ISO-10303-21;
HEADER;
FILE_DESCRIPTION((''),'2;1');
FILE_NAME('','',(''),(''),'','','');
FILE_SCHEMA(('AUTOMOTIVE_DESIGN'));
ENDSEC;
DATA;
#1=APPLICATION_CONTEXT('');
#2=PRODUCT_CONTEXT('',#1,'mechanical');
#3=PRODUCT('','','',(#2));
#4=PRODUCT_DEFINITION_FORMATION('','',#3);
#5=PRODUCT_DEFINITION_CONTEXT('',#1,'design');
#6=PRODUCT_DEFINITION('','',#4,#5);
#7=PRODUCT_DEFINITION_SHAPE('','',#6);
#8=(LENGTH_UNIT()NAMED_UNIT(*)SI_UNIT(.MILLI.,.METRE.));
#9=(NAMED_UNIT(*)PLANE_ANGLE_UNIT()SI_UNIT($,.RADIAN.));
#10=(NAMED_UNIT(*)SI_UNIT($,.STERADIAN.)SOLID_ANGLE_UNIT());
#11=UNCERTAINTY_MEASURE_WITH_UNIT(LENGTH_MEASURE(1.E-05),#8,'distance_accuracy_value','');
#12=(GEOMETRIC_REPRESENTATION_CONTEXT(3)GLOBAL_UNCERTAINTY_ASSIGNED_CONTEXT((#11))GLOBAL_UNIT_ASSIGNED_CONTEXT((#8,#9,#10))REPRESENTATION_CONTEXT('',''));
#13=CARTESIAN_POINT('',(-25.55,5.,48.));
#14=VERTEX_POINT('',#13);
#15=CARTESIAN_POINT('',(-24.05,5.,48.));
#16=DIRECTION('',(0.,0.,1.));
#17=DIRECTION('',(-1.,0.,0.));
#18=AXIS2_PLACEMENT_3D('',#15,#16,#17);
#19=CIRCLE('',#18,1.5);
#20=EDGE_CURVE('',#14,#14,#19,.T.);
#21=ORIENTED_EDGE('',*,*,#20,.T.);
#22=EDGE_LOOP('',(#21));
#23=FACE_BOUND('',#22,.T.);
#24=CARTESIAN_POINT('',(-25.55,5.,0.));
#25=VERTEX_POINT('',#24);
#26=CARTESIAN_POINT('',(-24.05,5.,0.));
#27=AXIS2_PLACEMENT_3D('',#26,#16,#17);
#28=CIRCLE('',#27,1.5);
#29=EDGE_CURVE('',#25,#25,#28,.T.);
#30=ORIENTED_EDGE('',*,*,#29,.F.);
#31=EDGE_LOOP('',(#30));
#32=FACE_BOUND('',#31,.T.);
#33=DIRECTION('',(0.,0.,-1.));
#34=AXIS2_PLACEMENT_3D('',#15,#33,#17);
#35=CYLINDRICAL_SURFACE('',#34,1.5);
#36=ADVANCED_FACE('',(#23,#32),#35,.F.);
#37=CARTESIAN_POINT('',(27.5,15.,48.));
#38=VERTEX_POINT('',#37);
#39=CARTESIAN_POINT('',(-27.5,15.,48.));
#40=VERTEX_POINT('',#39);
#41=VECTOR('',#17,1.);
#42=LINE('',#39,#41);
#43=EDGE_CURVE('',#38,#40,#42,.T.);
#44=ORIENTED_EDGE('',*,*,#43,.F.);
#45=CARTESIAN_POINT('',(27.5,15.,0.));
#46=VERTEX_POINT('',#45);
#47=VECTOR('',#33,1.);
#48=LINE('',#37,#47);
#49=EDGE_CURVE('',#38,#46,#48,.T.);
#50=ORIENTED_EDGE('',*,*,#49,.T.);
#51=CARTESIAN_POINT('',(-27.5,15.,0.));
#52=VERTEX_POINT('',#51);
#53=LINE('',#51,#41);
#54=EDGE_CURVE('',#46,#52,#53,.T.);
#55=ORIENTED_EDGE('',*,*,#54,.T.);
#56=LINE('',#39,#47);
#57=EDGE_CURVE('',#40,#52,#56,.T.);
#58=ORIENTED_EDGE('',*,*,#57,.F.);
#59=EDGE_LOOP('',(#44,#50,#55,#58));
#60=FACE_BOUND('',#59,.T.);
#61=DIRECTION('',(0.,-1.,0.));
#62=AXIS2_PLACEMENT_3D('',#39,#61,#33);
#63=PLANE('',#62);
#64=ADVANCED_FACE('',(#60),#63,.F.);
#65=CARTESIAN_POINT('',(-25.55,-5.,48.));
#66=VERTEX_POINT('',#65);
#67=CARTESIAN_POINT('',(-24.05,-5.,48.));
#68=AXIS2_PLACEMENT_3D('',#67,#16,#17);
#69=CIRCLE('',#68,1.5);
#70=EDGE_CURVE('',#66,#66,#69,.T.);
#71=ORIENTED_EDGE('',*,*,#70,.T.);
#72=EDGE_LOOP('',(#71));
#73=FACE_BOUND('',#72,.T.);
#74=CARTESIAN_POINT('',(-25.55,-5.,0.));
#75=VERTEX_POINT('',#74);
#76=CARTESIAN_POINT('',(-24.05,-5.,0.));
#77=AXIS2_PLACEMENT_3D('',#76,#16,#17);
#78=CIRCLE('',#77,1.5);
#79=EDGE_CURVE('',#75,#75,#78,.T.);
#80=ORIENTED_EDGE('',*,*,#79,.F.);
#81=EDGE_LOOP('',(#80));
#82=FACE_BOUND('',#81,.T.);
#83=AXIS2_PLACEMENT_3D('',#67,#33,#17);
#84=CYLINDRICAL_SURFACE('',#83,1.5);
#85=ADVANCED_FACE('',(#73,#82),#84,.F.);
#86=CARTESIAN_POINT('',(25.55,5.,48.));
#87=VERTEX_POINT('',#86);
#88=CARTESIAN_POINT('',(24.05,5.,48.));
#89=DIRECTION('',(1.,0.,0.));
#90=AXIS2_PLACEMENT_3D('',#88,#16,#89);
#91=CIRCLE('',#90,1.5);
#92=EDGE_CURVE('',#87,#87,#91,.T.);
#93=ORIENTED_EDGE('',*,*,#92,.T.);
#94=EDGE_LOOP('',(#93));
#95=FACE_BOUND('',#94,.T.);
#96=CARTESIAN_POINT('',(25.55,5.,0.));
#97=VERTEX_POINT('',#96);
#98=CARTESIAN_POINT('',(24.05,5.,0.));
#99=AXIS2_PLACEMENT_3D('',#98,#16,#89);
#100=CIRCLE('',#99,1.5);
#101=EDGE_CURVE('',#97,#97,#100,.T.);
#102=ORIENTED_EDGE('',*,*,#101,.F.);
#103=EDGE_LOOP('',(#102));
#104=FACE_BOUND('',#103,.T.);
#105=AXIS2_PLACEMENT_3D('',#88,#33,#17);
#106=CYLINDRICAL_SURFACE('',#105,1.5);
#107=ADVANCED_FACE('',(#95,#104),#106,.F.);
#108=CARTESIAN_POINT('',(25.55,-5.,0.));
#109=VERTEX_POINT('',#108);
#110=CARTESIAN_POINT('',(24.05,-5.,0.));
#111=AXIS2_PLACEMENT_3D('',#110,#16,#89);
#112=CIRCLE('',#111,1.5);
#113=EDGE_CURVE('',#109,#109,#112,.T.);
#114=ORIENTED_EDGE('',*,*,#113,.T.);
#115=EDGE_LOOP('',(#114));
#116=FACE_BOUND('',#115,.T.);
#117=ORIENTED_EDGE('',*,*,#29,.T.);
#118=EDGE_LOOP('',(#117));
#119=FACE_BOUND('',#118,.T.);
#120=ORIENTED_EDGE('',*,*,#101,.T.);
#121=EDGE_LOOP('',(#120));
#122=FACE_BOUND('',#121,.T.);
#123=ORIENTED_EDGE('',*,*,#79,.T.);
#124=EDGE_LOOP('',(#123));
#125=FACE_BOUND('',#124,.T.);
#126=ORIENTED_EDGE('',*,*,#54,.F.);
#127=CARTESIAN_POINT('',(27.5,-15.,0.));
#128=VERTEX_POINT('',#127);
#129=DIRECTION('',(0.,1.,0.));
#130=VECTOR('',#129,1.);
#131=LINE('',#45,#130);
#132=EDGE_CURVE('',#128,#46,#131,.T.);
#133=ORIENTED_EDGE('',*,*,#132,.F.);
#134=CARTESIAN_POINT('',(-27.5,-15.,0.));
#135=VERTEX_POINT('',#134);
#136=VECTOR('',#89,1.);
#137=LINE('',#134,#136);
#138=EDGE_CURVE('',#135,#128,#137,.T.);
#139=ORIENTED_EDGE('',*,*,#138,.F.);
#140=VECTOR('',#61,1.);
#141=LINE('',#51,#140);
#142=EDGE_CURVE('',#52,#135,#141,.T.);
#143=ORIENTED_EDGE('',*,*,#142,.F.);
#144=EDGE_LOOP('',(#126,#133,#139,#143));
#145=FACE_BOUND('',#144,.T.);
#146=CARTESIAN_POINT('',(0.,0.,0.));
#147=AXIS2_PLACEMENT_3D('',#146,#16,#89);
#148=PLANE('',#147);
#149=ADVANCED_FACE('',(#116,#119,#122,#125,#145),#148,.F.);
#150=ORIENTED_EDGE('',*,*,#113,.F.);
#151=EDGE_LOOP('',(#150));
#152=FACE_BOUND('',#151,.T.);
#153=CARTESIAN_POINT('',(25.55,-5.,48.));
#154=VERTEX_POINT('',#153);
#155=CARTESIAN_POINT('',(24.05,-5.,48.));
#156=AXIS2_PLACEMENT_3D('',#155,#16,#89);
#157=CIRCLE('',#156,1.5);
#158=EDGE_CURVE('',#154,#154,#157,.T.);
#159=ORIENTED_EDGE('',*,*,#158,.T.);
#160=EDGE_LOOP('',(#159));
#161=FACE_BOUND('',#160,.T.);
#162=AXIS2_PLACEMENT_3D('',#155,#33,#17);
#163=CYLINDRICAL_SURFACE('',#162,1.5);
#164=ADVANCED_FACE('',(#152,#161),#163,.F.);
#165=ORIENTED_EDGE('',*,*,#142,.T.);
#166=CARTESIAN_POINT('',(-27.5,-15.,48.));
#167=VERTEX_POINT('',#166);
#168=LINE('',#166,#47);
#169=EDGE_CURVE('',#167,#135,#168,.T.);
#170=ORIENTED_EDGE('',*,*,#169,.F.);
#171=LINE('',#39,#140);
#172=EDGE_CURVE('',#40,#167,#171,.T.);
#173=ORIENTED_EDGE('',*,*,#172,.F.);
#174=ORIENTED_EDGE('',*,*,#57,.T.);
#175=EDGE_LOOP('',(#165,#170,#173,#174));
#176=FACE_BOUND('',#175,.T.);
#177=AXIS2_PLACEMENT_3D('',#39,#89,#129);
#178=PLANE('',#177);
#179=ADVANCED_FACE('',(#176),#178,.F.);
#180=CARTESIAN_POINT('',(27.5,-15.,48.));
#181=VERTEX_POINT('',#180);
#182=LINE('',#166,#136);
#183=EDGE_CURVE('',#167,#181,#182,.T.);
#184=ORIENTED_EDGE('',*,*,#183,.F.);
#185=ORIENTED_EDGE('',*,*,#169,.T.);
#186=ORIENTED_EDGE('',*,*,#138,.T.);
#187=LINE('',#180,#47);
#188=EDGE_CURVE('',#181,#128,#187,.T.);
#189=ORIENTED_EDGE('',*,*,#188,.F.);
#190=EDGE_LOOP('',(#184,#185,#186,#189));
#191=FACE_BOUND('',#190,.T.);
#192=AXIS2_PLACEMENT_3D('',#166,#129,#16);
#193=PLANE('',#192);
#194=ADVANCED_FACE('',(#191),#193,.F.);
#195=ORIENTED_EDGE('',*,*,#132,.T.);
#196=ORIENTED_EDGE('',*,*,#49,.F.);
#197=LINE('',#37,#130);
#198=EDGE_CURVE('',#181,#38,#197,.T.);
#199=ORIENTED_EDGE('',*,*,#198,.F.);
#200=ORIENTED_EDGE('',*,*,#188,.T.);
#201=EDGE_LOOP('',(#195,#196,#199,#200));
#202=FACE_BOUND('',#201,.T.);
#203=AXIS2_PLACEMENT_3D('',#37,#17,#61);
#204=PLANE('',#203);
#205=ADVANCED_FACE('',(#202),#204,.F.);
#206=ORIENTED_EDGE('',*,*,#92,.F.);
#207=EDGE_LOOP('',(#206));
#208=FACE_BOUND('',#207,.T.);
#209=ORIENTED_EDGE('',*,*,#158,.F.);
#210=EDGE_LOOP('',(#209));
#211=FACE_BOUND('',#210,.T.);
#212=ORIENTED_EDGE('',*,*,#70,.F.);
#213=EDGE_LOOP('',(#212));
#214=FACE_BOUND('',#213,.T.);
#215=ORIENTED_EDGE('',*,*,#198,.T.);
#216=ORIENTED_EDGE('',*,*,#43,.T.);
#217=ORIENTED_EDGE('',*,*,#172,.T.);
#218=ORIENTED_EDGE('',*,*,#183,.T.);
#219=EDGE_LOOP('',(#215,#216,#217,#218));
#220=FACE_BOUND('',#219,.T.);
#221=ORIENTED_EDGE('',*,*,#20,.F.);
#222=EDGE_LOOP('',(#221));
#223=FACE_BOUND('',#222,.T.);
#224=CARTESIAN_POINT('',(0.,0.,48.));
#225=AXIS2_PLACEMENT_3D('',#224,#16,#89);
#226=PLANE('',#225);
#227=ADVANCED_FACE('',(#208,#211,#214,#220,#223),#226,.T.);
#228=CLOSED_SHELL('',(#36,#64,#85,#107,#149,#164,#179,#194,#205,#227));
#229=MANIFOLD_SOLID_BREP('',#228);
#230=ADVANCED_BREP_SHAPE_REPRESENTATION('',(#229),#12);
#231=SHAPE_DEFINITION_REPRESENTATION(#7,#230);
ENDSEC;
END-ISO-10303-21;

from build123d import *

# Parameters (mm, degrees)
SKETCH1_W           = 55
SKETCH1_H           = 30
SKETCH1_R           = 1.5
BOSS_EXTRUDE1_DEPTH = 48


with BuildPart() as part:
    # Sketch1 → Boss-Extrude1 (new body)
    with BuildSketch(Plane.XY):
        Rectangle(SKETCH1_W, SKETCH1_H)
        with Locations((24.05, 5)):
            Circle(SKETCH1_R, mode=Mode.SUBTRACT)
        with Locations((24.05, -5)):
            Circle(SKETCH1_R, mode=Mode.SUBTRACT)
        with Locations(Location((-24.05, -5, 0), (0, 0, 180))):
            Circle(SKETCH1_R, mode=Mode.SUBTRACT)
        with Locations(Location((-24.05, 5, 0), (0, 0, 180))):
            Circle(SKETCH1_R, mode=Mode.SUBTRACT)
    extrude(amount=BOSS_EXTRUDE1_DEPTH)


solid = part.part
